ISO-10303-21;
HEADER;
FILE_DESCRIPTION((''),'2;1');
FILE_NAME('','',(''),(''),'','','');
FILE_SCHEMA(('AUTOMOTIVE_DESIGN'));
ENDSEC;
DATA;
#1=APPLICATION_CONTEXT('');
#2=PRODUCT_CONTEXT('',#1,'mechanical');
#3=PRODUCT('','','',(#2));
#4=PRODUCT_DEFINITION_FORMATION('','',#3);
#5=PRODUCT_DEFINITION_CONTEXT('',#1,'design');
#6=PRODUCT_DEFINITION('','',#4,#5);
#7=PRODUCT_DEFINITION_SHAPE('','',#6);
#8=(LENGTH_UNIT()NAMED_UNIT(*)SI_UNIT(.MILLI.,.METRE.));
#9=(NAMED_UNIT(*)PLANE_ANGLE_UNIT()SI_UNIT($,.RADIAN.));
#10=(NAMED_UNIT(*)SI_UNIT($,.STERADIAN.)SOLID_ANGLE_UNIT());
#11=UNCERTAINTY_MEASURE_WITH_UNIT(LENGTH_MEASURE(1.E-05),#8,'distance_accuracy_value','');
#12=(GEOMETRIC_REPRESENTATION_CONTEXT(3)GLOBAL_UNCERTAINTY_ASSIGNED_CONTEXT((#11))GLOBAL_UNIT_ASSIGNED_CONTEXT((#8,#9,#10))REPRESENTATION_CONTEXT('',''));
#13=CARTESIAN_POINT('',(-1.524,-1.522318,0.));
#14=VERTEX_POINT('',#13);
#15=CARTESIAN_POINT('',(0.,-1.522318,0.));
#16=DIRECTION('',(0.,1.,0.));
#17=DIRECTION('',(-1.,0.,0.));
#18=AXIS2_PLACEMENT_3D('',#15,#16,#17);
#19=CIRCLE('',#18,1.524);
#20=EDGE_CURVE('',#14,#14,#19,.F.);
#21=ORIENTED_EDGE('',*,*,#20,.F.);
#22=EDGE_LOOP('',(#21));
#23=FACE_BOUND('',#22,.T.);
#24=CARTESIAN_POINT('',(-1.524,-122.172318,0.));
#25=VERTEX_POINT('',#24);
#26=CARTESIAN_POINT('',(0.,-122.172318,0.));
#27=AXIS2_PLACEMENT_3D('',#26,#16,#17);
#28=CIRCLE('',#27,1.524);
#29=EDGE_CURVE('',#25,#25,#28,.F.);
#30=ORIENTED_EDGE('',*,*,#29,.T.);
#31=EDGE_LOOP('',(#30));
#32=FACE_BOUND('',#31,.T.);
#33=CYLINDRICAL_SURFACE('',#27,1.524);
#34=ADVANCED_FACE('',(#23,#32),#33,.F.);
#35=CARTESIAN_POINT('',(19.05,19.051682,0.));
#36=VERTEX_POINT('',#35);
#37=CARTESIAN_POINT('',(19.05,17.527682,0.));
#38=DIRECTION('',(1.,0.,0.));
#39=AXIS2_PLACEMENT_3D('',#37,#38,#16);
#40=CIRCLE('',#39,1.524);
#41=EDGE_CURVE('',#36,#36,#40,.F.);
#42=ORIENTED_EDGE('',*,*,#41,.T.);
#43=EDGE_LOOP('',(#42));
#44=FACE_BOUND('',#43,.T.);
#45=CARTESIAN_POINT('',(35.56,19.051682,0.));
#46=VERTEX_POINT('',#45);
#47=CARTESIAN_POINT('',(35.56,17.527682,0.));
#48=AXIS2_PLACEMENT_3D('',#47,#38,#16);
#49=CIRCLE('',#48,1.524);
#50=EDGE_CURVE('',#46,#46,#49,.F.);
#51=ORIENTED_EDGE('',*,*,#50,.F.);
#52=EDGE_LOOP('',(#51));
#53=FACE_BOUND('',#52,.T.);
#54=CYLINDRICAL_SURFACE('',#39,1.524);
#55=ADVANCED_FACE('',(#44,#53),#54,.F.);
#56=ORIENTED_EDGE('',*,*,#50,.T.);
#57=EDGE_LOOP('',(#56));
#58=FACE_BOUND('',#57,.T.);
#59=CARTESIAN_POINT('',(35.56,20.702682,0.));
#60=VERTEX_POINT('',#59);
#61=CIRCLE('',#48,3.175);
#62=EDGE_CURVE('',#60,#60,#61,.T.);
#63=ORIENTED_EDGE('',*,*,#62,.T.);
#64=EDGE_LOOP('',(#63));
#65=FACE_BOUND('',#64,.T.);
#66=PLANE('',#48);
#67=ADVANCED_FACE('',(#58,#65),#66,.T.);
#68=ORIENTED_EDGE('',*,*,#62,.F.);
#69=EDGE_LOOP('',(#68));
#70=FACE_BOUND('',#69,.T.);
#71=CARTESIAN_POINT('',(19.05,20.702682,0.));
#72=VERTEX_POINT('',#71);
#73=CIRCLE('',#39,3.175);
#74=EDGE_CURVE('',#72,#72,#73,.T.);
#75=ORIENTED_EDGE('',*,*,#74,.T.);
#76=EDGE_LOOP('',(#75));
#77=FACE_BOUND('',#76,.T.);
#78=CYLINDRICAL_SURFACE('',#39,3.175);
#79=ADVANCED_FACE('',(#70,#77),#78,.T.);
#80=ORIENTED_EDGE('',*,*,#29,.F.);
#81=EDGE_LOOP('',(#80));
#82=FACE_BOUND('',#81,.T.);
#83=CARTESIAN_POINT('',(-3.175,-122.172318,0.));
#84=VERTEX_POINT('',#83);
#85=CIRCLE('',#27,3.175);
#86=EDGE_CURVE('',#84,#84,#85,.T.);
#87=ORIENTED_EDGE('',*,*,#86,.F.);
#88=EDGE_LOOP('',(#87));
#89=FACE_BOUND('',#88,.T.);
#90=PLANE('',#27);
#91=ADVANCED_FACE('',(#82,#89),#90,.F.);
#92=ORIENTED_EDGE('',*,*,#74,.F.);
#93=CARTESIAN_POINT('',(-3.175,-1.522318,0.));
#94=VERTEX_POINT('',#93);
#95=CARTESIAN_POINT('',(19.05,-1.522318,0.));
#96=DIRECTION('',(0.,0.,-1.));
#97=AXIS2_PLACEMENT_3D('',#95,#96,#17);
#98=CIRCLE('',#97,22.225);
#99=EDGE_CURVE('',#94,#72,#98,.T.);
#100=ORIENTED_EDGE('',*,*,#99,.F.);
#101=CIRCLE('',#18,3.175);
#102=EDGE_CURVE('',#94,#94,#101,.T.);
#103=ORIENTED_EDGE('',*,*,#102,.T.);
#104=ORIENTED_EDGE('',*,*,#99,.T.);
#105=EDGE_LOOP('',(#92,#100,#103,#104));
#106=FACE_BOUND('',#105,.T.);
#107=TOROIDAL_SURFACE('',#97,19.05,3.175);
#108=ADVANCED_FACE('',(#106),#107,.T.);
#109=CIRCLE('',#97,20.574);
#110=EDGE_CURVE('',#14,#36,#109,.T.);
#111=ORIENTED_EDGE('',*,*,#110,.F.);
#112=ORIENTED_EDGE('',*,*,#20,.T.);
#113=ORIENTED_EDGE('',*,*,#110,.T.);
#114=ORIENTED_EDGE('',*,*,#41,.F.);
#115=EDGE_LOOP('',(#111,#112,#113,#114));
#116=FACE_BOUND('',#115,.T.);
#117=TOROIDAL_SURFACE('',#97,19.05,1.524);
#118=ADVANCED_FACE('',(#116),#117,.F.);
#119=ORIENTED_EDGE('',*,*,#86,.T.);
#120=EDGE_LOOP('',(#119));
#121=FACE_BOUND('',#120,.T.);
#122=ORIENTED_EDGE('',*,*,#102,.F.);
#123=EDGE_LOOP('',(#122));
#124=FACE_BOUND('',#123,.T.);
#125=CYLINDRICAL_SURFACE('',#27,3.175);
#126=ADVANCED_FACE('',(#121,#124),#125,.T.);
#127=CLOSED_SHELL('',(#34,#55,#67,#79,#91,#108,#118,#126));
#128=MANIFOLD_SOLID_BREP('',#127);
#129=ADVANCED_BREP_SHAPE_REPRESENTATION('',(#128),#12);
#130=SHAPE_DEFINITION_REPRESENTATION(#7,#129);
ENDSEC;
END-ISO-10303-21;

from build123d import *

# Parameters (mm, degrees)
SKETCH2_R   = 3.175
SKETCH2_R_2 = 1.524


with BuildPart() as part:
    # Sweep1: sweep along a path in Sketch1
    with BuildLine(Plane.XY) as sweep1_path:
        Line((0, -122.172317881), (0, -1.522317881))
        ThreePointArc((0, -1.522317881), (5.579615818, 11.948066301), (19.05, 17.527682119))
        Line((19.05, 17.527682119), (35.56, 17.527682119))
    # Sketch2 → Sweep1 (sweep)
    with BuildSketch(Plane(origin=(35.56, 17.527682119, 0), x_dir=(0, 0, -1), z_dir=(1, 0, 0))):
        Circle(SKETCH2_R)
        Circle(SKETCH2_R_2, mode=Mode.SUBTRACT)
    sweep(path=sweep1_path.line)


solid = part.part
